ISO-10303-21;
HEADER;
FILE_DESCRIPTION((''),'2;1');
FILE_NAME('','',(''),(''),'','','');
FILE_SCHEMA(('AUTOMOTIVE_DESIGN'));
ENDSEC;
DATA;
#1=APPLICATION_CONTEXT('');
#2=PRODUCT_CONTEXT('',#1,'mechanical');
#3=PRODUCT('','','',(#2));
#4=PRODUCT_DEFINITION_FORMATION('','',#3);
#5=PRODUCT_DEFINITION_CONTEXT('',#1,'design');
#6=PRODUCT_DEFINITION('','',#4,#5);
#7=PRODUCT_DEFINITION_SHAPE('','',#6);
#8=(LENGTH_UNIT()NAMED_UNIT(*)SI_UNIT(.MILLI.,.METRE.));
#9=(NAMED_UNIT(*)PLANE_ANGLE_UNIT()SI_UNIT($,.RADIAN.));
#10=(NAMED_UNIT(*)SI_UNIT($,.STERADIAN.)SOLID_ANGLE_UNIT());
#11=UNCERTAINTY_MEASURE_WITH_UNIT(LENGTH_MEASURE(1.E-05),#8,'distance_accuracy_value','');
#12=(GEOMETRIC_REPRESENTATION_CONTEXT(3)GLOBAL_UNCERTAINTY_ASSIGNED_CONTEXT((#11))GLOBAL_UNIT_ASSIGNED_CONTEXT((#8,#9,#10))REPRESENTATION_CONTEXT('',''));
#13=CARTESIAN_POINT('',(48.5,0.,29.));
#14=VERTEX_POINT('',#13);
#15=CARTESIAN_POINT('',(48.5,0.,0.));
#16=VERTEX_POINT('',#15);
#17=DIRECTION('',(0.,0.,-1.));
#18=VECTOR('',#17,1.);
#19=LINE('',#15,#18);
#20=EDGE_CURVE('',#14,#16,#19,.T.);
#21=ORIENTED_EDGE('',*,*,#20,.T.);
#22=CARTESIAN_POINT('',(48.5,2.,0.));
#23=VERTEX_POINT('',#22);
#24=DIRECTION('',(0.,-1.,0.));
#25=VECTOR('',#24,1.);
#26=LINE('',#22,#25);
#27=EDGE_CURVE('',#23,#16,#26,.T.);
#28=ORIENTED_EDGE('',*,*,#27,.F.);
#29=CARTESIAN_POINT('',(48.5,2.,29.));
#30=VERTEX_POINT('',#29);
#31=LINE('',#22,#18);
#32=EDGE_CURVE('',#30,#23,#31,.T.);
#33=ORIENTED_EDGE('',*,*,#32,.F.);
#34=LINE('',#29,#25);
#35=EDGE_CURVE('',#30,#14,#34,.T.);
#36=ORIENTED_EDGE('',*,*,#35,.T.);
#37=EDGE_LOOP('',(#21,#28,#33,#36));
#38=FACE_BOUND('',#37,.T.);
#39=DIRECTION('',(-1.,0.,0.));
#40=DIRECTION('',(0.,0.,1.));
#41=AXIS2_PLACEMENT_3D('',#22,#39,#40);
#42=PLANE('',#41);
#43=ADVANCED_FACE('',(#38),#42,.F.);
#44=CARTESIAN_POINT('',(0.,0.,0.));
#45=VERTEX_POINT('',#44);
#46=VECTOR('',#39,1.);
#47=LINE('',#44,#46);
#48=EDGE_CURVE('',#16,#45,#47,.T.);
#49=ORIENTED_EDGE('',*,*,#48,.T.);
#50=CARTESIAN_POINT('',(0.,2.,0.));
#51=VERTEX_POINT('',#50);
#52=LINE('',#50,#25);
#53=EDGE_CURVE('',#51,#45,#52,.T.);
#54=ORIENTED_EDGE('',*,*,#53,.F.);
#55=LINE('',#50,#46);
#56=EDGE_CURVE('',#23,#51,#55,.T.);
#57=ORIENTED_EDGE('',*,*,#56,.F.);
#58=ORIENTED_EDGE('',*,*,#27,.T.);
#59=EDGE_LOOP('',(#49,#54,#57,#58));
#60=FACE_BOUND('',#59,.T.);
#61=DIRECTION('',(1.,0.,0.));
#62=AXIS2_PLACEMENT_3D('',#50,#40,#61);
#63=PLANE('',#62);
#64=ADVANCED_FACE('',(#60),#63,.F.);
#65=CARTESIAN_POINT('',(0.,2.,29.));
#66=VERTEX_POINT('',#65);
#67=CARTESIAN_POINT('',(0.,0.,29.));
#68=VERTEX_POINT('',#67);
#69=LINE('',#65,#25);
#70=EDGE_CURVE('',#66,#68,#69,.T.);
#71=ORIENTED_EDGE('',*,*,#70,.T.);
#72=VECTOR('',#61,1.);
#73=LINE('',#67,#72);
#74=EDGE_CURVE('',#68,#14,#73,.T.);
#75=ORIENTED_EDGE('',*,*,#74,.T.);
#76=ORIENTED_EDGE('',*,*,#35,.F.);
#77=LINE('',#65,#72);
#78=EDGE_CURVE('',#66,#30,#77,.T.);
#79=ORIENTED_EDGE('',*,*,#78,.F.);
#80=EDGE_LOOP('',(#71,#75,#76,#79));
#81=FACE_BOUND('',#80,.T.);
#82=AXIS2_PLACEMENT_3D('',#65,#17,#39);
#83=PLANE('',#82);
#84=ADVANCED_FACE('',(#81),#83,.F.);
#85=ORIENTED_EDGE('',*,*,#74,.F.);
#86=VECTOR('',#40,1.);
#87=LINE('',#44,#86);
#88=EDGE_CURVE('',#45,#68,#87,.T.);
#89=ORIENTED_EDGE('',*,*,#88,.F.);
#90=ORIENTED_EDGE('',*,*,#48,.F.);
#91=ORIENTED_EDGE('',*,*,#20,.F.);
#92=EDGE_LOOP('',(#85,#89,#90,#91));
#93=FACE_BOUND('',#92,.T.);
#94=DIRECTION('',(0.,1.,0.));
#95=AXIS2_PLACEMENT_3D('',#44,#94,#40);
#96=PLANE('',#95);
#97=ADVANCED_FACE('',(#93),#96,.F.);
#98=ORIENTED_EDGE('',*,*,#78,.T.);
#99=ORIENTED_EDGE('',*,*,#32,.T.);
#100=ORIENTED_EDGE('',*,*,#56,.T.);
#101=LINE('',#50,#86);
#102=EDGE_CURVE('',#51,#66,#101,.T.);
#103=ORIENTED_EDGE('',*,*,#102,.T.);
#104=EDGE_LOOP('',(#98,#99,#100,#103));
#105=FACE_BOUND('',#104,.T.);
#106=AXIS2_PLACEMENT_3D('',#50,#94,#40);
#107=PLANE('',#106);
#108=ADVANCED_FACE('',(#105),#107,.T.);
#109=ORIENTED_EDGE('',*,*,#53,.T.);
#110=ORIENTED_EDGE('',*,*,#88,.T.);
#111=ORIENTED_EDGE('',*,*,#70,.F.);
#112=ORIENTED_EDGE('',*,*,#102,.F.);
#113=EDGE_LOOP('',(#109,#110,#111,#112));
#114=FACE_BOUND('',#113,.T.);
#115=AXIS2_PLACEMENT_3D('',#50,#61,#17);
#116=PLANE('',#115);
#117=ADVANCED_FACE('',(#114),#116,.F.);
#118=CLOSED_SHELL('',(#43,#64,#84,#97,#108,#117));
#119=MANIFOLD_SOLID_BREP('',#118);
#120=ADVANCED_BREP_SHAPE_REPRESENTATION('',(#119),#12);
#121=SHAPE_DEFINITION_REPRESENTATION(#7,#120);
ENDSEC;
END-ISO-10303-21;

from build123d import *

# Parameters (mm, degrees)
SKETCH1_W           = 48.5
SKETCH1_H           = 29
BOSS_EXTRUDE1_DEPTH = 2


with BuildPart() as part:
    # Sketch1 → Boss-Extrude1 (new body)
    with BuildSketch(Plane(origin=(0, 0, 0), x_dir=(1, 0, 0), z_dir=(0, 1, 0))):
        with Locations((24.25, -14.5)):
            Rectangle(SKETCH1_W, SKETCH1_H)
    extrude(amount=BOSS_EXTRUDE1_DEPTH)


solid = part.part
